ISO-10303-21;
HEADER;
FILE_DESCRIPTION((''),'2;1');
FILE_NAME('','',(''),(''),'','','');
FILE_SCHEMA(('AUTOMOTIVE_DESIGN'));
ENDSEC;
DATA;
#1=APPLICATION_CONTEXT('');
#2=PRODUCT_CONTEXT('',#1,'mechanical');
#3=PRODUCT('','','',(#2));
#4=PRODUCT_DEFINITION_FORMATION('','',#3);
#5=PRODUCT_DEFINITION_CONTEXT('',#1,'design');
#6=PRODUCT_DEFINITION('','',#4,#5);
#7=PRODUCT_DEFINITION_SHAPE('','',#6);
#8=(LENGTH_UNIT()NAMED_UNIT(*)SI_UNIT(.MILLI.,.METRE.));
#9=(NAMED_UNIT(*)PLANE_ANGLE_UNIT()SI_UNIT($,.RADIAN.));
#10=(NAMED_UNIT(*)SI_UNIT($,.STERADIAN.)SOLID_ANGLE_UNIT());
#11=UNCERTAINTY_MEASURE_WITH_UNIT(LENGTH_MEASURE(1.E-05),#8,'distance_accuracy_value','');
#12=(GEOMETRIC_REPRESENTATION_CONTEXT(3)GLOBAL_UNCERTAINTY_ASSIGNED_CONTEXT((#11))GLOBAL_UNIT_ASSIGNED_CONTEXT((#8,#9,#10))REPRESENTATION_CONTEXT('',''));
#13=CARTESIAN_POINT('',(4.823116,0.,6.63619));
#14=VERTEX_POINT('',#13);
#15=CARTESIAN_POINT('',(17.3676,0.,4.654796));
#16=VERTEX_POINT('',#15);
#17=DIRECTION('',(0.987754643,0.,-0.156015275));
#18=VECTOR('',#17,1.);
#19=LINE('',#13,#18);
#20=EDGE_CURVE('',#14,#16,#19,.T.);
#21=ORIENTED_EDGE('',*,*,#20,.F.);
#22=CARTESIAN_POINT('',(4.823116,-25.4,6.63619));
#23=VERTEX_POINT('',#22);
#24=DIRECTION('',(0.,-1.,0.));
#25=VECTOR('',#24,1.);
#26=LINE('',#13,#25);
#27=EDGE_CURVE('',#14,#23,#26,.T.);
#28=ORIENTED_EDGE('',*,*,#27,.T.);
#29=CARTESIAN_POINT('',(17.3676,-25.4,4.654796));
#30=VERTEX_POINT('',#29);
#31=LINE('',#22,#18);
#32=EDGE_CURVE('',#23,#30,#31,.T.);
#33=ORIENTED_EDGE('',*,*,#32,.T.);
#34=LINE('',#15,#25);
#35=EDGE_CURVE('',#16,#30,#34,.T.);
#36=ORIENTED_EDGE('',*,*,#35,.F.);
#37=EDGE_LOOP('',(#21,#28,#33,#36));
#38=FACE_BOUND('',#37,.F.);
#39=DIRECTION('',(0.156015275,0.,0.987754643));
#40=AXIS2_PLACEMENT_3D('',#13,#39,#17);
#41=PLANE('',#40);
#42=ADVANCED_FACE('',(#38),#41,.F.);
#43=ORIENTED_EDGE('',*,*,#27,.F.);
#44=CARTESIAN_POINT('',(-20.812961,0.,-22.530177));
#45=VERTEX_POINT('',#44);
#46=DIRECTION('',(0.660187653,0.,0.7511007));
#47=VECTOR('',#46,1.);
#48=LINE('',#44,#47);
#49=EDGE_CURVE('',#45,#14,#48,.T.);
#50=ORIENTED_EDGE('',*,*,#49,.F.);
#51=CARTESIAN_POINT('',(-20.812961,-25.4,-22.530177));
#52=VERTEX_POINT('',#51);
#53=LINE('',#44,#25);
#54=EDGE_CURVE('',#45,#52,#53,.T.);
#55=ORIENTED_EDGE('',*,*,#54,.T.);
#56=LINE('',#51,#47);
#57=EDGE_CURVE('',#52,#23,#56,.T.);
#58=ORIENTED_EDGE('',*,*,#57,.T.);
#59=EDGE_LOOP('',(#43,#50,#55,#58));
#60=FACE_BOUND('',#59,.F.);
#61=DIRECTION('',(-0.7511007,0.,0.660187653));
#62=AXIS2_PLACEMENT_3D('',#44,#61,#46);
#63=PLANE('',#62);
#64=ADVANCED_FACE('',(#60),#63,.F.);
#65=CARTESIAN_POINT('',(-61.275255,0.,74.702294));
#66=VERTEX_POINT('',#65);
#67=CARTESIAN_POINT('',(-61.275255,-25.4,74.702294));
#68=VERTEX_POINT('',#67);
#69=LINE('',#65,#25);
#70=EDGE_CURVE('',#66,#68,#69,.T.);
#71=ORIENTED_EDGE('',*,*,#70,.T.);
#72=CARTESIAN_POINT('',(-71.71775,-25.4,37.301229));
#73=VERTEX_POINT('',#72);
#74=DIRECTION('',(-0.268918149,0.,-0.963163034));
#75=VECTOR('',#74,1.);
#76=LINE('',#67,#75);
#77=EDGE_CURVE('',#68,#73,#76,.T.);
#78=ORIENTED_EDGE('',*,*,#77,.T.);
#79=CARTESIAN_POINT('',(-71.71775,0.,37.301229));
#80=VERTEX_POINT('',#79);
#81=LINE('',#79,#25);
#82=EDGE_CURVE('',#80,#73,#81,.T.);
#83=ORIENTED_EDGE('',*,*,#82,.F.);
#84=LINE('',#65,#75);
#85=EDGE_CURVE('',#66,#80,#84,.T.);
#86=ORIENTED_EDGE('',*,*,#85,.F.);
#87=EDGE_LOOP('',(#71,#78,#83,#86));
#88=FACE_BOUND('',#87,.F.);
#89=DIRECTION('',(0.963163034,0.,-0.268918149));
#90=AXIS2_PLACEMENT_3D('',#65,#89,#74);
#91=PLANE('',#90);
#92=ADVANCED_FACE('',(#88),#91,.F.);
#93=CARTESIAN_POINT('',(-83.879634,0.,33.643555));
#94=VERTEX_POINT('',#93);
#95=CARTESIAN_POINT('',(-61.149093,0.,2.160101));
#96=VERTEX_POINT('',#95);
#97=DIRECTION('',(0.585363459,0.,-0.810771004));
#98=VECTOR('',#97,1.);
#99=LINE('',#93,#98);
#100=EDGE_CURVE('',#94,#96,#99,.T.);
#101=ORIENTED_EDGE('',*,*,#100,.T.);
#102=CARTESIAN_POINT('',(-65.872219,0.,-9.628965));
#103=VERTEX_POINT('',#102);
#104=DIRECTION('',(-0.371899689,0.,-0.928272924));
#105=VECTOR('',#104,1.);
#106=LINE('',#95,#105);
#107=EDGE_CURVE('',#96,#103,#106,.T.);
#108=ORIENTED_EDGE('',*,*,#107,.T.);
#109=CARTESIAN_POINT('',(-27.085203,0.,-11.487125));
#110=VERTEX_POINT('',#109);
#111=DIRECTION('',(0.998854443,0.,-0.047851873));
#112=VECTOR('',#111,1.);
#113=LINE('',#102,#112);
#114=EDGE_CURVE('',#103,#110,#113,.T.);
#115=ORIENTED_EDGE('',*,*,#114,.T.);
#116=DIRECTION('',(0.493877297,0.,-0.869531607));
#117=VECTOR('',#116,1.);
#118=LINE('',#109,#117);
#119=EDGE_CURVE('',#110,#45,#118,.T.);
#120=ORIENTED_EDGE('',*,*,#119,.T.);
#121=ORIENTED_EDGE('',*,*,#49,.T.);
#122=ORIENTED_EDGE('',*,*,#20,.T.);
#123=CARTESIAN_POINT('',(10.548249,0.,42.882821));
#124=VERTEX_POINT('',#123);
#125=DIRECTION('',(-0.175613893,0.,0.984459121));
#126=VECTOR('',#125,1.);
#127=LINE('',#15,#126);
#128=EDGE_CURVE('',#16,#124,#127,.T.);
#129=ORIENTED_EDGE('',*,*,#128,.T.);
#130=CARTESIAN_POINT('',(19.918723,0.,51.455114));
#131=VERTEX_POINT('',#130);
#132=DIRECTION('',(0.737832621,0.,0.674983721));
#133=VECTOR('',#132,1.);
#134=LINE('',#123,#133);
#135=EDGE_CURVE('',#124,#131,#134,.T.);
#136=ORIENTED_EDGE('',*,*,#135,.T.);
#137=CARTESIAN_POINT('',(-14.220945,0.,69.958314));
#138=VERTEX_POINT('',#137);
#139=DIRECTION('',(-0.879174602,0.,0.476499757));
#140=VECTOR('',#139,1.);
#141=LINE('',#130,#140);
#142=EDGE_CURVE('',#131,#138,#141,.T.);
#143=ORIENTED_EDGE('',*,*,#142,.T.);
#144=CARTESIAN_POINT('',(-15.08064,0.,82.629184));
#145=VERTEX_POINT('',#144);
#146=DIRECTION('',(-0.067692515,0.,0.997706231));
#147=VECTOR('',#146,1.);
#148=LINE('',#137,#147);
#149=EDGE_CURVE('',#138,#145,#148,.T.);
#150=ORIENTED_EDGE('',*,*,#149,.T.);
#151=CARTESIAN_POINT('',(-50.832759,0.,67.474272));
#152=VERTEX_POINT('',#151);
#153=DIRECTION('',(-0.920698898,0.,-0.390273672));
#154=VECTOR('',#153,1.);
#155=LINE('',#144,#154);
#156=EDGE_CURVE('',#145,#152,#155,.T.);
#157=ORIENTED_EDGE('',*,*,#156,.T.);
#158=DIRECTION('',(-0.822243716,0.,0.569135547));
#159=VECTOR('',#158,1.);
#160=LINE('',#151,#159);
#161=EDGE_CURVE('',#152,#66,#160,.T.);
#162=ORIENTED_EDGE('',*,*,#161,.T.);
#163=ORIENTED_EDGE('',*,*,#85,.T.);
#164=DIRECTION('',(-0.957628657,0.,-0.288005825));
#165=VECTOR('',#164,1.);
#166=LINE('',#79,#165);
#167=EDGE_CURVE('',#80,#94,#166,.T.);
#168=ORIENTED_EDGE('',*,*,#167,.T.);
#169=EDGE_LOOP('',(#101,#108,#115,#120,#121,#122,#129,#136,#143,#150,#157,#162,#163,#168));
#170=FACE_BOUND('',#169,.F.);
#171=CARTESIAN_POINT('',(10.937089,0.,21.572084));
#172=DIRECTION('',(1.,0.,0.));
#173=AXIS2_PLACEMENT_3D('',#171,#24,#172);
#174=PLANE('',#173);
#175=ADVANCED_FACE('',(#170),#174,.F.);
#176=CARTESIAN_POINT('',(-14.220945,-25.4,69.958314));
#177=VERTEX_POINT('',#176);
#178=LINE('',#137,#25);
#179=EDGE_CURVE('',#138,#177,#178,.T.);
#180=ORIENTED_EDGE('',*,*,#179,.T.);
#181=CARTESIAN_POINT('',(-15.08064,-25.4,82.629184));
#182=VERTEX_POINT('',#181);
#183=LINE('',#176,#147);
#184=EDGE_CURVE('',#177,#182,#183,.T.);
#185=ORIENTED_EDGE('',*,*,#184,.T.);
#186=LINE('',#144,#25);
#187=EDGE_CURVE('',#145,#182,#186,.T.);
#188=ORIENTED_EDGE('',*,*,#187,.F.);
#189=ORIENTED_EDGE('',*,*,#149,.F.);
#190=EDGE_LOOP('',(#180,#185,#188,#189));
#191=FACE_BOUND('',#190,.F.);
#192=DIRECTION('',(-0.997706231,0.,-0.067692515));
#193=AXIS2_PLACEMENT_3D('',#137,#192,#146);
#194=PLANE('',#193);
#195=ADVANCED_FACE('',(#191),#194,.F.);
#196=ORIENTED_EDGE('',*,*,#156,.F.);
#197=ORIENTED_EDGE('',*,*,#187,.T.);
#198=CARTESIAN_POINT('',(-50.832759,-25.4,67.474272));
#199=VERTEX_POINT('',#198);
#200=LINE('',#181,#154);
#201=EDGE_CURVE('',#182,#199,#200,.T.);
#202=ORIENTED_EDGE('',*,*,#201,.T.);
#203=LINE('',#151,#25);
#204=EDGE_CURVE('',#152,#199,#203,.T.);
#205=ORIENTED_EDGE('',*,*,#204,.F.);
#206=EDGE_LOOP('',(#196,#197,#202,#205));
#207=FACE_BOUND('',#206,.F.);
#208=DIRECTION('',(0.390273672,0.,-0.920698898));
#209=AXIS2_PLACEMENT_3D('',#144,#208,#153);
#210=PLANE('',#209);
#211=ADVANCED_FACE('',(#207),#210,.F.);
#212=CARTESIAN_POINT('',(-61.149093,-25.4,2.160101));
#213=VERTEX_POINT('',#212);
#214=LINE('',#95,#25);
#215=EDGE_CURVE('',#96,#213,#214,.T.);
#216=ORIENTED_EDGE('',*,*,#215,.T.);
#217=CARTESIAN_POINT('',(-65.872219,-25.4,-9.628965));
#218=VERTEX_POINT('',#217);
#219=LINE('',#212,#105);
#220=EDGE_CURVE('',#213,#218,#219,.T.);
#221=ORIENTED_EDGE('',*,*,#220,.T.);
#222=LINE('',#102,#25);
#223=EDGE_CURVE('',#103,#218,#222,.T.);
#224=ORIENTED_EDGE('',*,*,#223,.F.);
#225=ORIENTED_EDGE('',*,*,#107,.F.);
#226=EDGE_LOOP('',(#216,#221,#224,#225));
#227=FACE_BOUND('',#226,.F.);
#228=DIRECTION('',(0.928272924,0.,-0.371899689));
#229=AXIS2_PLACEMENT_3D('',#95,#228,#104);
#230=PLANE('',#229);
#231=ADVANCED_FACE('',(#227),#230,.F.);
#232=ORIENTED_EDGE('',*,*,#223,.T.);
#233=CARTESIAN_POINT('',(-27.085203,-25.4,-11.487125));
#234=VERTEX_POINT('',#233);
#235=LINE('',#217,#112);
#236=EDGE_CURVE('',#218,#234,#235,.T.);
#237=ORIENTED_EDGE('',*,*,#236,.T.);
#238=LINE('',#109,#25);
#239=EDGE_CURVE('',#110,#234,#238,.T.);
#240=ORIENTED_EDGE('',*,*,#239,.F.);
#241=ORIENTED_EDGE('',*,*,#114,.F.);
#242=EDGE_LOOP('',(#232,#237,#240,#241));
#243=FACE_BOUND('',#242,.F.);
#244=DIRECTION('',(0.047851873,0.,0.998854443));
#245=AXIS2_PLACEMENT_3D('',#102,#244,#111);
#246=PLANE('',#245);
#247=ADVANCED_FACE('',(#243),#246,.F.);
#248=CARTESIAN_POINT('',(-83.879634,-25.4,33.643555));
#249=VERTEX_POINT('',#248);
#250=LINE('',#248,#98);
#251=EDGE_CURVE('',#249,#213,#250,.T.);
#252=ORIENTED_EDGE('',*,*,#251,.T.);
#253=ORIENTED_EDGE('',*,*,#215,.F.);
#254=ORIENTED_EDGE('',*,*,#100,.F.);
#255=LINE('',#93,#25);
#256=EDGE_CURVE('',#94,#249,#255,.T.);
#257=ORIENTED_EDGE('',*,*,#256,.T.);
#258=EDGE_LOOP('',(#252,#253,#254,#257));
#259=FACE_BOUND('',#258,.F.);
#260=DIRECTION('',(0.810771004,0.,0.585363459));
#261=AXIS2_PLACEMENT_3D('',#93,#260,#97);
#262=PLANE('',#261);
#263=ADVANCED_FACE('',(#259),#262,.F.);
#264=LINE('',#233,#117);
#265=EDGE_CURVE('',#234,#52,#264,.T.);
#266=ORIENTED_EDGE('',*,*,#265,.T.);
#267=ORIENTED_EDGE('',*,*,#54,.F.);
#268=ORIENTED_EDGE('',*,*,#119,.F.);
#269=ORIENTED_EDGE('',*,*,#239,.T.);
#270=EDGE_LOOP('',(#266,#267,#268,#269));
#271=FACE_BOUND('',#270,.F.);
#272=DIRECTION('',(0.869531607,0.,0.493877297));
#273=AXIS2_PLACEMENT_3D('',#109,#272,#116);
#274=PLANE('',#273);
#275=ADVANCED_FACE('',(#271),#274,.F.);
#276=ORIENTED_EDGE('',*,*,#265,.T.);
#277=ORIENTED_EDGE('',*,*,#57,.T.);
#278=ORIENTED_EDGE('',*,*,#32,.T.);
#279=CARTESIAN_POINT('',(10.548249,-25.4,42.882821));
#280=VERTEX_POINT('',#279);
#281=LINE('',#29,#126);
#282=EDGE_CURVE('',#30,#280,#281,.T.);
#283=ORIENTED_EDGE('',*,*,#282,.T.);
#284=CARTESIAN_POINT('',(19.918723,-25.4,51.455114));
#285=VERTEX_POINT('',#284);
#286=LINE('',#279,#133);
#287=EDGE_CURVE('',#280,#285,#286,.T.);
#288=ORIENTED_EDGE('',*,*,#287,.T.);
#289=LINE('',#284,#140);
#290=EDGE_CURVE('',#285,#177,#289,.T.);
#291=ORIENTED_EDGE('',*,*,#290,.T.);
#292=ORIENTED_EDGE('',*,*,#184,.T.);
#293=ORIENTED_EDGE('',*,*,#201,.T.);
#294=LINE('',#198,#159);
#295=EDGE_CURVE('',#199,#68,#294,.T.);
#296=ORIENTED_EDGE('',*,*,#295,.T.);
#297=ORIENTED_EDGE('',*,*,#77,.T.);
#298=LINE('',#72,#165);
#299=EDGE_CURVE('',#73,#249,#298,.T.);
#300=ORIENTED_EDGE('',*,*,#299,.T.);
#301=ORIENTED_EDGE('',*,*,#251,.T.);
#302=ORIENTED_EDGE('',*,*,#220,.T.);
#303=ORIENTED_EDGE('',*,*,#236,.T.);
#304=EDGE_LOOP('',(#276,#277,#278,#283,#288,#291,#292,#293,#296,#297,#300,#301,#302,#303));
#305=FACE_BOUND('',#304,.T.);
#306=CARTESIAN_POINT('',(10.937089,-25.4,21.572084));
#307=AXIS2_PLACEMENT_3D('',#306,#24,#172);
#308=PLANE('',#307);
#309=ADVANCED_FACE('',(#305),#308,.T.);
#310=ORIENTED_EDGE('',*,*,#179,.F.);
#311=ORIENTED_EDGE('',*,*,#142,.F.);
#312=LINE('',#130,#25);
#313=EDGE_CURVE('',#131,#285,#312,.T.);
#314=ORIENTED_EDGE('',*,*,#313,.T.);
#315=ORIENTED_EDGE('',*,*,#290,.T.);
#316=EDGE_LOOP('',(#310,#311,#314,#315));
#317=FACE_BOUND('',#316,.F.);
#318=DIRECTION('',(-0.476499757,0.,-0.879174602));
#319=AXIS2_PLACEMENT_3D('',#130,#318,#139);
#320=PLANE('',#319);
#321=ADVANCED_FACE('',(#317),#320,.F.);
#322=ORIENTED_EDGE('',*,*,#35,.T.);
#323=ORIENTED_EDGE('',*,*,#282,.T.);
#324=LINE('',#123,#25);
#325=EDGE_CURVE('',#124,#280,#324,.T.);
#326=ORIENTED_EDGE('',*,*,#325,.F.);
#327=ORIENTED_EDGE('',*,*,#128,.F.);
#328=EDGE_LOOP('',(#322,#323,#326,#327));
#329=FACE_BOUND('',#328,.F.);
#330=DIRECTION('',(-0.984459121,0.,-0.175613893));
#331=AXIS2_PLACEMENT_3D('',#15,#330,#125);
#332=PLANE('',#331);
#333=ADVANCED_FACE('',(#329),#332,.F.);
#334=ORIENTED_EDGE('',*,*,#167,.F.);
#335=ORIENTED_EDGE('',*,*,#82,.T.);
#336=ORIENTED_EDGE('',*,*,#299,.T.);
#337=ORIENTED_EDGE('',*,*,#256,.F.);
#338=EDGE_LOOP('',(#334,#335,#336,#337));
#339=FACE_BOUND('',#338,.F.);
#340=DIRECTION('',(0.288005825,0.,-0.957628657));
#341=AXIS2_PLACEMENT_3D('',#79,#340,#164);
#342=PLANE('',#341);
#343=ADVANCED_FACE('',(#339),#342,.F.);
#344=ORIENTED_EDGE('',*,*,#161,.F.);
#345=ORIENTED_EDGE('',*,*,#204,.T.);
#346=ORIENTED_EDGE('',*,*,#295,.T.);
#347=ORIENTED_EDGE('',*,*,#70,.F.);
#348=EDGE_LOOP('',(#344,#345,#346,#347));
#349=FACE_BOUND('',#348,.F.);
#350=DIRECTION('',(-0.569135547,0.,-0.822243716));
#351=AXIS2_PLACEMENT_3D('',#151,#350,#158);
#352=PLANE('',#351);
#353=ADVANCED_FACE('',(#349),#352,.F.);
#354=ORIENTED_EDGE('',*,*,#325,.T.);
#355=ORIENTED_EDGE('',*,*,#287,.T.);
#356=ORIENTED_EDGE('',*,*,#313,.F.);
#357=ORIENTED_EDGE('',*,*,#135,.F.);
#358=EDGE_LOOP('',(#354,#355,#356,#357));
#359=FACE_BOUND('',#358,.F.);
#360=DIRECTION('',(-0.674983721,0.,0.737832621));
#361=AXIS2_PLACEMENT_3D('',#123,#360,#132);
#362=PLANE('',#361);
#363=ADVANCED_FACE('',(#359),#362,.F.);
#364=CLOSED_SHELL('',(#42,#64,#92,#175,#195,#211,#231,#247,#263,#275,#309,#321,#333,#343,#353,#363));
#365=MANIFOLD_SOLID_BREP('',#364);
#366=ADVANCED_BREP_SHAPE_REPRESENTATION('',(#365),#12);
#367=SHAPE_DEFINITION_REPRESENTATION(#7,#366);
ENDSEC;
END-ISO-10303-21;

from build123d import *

# Parameters (mm, degrees)
F1_DEPTH = 25.4


with BuildPart() as f1:
    # F0 (on Front) → F1 (new body)
    with BuildSketch(Plane.XZ):
        Polygon((17.3676, 4.654796), (10.548249, 42.882821), (4.823116, 6.63619), align=None)
        Polygon((-20.812961, -22.530177), (4.823116, 6.63619), (-27.085203, -11.487125), align=None)
        Polygon((-65.872219, -9.628965), (-27.085203, -11.487125), (-61.149093, 2.160101), align=None)
        Polygon((-83.879634, 33.643555), (-61.149093, 2.160101), (-71.71775, 37.301229), align=None)
        Polygon((-71.71775, 37.301229), (-50.832759, 67.474272), (-61.275255, 74.702294), align=None)
        Polygon((-50.832759, 67.474272), (-14.220945, 69.958314), (-15.08064, 82.629184), align=None)
        Polygon((-14.220945, 69.958314), (10.548249, 42.882821), (19.918723, 51.455114), align=None)
        Polygon((4.823116, 6.63619), (10.548249, 42.882821), (-14.220945, 69.958314), (-50.832759, 67.474272), (-71.71775, 37.301229), (-61.149093, 2.160101), (-27.085203, -11.487125), align=None)
    extrude(amount=F1_DEPTH)


solid = f1.part
